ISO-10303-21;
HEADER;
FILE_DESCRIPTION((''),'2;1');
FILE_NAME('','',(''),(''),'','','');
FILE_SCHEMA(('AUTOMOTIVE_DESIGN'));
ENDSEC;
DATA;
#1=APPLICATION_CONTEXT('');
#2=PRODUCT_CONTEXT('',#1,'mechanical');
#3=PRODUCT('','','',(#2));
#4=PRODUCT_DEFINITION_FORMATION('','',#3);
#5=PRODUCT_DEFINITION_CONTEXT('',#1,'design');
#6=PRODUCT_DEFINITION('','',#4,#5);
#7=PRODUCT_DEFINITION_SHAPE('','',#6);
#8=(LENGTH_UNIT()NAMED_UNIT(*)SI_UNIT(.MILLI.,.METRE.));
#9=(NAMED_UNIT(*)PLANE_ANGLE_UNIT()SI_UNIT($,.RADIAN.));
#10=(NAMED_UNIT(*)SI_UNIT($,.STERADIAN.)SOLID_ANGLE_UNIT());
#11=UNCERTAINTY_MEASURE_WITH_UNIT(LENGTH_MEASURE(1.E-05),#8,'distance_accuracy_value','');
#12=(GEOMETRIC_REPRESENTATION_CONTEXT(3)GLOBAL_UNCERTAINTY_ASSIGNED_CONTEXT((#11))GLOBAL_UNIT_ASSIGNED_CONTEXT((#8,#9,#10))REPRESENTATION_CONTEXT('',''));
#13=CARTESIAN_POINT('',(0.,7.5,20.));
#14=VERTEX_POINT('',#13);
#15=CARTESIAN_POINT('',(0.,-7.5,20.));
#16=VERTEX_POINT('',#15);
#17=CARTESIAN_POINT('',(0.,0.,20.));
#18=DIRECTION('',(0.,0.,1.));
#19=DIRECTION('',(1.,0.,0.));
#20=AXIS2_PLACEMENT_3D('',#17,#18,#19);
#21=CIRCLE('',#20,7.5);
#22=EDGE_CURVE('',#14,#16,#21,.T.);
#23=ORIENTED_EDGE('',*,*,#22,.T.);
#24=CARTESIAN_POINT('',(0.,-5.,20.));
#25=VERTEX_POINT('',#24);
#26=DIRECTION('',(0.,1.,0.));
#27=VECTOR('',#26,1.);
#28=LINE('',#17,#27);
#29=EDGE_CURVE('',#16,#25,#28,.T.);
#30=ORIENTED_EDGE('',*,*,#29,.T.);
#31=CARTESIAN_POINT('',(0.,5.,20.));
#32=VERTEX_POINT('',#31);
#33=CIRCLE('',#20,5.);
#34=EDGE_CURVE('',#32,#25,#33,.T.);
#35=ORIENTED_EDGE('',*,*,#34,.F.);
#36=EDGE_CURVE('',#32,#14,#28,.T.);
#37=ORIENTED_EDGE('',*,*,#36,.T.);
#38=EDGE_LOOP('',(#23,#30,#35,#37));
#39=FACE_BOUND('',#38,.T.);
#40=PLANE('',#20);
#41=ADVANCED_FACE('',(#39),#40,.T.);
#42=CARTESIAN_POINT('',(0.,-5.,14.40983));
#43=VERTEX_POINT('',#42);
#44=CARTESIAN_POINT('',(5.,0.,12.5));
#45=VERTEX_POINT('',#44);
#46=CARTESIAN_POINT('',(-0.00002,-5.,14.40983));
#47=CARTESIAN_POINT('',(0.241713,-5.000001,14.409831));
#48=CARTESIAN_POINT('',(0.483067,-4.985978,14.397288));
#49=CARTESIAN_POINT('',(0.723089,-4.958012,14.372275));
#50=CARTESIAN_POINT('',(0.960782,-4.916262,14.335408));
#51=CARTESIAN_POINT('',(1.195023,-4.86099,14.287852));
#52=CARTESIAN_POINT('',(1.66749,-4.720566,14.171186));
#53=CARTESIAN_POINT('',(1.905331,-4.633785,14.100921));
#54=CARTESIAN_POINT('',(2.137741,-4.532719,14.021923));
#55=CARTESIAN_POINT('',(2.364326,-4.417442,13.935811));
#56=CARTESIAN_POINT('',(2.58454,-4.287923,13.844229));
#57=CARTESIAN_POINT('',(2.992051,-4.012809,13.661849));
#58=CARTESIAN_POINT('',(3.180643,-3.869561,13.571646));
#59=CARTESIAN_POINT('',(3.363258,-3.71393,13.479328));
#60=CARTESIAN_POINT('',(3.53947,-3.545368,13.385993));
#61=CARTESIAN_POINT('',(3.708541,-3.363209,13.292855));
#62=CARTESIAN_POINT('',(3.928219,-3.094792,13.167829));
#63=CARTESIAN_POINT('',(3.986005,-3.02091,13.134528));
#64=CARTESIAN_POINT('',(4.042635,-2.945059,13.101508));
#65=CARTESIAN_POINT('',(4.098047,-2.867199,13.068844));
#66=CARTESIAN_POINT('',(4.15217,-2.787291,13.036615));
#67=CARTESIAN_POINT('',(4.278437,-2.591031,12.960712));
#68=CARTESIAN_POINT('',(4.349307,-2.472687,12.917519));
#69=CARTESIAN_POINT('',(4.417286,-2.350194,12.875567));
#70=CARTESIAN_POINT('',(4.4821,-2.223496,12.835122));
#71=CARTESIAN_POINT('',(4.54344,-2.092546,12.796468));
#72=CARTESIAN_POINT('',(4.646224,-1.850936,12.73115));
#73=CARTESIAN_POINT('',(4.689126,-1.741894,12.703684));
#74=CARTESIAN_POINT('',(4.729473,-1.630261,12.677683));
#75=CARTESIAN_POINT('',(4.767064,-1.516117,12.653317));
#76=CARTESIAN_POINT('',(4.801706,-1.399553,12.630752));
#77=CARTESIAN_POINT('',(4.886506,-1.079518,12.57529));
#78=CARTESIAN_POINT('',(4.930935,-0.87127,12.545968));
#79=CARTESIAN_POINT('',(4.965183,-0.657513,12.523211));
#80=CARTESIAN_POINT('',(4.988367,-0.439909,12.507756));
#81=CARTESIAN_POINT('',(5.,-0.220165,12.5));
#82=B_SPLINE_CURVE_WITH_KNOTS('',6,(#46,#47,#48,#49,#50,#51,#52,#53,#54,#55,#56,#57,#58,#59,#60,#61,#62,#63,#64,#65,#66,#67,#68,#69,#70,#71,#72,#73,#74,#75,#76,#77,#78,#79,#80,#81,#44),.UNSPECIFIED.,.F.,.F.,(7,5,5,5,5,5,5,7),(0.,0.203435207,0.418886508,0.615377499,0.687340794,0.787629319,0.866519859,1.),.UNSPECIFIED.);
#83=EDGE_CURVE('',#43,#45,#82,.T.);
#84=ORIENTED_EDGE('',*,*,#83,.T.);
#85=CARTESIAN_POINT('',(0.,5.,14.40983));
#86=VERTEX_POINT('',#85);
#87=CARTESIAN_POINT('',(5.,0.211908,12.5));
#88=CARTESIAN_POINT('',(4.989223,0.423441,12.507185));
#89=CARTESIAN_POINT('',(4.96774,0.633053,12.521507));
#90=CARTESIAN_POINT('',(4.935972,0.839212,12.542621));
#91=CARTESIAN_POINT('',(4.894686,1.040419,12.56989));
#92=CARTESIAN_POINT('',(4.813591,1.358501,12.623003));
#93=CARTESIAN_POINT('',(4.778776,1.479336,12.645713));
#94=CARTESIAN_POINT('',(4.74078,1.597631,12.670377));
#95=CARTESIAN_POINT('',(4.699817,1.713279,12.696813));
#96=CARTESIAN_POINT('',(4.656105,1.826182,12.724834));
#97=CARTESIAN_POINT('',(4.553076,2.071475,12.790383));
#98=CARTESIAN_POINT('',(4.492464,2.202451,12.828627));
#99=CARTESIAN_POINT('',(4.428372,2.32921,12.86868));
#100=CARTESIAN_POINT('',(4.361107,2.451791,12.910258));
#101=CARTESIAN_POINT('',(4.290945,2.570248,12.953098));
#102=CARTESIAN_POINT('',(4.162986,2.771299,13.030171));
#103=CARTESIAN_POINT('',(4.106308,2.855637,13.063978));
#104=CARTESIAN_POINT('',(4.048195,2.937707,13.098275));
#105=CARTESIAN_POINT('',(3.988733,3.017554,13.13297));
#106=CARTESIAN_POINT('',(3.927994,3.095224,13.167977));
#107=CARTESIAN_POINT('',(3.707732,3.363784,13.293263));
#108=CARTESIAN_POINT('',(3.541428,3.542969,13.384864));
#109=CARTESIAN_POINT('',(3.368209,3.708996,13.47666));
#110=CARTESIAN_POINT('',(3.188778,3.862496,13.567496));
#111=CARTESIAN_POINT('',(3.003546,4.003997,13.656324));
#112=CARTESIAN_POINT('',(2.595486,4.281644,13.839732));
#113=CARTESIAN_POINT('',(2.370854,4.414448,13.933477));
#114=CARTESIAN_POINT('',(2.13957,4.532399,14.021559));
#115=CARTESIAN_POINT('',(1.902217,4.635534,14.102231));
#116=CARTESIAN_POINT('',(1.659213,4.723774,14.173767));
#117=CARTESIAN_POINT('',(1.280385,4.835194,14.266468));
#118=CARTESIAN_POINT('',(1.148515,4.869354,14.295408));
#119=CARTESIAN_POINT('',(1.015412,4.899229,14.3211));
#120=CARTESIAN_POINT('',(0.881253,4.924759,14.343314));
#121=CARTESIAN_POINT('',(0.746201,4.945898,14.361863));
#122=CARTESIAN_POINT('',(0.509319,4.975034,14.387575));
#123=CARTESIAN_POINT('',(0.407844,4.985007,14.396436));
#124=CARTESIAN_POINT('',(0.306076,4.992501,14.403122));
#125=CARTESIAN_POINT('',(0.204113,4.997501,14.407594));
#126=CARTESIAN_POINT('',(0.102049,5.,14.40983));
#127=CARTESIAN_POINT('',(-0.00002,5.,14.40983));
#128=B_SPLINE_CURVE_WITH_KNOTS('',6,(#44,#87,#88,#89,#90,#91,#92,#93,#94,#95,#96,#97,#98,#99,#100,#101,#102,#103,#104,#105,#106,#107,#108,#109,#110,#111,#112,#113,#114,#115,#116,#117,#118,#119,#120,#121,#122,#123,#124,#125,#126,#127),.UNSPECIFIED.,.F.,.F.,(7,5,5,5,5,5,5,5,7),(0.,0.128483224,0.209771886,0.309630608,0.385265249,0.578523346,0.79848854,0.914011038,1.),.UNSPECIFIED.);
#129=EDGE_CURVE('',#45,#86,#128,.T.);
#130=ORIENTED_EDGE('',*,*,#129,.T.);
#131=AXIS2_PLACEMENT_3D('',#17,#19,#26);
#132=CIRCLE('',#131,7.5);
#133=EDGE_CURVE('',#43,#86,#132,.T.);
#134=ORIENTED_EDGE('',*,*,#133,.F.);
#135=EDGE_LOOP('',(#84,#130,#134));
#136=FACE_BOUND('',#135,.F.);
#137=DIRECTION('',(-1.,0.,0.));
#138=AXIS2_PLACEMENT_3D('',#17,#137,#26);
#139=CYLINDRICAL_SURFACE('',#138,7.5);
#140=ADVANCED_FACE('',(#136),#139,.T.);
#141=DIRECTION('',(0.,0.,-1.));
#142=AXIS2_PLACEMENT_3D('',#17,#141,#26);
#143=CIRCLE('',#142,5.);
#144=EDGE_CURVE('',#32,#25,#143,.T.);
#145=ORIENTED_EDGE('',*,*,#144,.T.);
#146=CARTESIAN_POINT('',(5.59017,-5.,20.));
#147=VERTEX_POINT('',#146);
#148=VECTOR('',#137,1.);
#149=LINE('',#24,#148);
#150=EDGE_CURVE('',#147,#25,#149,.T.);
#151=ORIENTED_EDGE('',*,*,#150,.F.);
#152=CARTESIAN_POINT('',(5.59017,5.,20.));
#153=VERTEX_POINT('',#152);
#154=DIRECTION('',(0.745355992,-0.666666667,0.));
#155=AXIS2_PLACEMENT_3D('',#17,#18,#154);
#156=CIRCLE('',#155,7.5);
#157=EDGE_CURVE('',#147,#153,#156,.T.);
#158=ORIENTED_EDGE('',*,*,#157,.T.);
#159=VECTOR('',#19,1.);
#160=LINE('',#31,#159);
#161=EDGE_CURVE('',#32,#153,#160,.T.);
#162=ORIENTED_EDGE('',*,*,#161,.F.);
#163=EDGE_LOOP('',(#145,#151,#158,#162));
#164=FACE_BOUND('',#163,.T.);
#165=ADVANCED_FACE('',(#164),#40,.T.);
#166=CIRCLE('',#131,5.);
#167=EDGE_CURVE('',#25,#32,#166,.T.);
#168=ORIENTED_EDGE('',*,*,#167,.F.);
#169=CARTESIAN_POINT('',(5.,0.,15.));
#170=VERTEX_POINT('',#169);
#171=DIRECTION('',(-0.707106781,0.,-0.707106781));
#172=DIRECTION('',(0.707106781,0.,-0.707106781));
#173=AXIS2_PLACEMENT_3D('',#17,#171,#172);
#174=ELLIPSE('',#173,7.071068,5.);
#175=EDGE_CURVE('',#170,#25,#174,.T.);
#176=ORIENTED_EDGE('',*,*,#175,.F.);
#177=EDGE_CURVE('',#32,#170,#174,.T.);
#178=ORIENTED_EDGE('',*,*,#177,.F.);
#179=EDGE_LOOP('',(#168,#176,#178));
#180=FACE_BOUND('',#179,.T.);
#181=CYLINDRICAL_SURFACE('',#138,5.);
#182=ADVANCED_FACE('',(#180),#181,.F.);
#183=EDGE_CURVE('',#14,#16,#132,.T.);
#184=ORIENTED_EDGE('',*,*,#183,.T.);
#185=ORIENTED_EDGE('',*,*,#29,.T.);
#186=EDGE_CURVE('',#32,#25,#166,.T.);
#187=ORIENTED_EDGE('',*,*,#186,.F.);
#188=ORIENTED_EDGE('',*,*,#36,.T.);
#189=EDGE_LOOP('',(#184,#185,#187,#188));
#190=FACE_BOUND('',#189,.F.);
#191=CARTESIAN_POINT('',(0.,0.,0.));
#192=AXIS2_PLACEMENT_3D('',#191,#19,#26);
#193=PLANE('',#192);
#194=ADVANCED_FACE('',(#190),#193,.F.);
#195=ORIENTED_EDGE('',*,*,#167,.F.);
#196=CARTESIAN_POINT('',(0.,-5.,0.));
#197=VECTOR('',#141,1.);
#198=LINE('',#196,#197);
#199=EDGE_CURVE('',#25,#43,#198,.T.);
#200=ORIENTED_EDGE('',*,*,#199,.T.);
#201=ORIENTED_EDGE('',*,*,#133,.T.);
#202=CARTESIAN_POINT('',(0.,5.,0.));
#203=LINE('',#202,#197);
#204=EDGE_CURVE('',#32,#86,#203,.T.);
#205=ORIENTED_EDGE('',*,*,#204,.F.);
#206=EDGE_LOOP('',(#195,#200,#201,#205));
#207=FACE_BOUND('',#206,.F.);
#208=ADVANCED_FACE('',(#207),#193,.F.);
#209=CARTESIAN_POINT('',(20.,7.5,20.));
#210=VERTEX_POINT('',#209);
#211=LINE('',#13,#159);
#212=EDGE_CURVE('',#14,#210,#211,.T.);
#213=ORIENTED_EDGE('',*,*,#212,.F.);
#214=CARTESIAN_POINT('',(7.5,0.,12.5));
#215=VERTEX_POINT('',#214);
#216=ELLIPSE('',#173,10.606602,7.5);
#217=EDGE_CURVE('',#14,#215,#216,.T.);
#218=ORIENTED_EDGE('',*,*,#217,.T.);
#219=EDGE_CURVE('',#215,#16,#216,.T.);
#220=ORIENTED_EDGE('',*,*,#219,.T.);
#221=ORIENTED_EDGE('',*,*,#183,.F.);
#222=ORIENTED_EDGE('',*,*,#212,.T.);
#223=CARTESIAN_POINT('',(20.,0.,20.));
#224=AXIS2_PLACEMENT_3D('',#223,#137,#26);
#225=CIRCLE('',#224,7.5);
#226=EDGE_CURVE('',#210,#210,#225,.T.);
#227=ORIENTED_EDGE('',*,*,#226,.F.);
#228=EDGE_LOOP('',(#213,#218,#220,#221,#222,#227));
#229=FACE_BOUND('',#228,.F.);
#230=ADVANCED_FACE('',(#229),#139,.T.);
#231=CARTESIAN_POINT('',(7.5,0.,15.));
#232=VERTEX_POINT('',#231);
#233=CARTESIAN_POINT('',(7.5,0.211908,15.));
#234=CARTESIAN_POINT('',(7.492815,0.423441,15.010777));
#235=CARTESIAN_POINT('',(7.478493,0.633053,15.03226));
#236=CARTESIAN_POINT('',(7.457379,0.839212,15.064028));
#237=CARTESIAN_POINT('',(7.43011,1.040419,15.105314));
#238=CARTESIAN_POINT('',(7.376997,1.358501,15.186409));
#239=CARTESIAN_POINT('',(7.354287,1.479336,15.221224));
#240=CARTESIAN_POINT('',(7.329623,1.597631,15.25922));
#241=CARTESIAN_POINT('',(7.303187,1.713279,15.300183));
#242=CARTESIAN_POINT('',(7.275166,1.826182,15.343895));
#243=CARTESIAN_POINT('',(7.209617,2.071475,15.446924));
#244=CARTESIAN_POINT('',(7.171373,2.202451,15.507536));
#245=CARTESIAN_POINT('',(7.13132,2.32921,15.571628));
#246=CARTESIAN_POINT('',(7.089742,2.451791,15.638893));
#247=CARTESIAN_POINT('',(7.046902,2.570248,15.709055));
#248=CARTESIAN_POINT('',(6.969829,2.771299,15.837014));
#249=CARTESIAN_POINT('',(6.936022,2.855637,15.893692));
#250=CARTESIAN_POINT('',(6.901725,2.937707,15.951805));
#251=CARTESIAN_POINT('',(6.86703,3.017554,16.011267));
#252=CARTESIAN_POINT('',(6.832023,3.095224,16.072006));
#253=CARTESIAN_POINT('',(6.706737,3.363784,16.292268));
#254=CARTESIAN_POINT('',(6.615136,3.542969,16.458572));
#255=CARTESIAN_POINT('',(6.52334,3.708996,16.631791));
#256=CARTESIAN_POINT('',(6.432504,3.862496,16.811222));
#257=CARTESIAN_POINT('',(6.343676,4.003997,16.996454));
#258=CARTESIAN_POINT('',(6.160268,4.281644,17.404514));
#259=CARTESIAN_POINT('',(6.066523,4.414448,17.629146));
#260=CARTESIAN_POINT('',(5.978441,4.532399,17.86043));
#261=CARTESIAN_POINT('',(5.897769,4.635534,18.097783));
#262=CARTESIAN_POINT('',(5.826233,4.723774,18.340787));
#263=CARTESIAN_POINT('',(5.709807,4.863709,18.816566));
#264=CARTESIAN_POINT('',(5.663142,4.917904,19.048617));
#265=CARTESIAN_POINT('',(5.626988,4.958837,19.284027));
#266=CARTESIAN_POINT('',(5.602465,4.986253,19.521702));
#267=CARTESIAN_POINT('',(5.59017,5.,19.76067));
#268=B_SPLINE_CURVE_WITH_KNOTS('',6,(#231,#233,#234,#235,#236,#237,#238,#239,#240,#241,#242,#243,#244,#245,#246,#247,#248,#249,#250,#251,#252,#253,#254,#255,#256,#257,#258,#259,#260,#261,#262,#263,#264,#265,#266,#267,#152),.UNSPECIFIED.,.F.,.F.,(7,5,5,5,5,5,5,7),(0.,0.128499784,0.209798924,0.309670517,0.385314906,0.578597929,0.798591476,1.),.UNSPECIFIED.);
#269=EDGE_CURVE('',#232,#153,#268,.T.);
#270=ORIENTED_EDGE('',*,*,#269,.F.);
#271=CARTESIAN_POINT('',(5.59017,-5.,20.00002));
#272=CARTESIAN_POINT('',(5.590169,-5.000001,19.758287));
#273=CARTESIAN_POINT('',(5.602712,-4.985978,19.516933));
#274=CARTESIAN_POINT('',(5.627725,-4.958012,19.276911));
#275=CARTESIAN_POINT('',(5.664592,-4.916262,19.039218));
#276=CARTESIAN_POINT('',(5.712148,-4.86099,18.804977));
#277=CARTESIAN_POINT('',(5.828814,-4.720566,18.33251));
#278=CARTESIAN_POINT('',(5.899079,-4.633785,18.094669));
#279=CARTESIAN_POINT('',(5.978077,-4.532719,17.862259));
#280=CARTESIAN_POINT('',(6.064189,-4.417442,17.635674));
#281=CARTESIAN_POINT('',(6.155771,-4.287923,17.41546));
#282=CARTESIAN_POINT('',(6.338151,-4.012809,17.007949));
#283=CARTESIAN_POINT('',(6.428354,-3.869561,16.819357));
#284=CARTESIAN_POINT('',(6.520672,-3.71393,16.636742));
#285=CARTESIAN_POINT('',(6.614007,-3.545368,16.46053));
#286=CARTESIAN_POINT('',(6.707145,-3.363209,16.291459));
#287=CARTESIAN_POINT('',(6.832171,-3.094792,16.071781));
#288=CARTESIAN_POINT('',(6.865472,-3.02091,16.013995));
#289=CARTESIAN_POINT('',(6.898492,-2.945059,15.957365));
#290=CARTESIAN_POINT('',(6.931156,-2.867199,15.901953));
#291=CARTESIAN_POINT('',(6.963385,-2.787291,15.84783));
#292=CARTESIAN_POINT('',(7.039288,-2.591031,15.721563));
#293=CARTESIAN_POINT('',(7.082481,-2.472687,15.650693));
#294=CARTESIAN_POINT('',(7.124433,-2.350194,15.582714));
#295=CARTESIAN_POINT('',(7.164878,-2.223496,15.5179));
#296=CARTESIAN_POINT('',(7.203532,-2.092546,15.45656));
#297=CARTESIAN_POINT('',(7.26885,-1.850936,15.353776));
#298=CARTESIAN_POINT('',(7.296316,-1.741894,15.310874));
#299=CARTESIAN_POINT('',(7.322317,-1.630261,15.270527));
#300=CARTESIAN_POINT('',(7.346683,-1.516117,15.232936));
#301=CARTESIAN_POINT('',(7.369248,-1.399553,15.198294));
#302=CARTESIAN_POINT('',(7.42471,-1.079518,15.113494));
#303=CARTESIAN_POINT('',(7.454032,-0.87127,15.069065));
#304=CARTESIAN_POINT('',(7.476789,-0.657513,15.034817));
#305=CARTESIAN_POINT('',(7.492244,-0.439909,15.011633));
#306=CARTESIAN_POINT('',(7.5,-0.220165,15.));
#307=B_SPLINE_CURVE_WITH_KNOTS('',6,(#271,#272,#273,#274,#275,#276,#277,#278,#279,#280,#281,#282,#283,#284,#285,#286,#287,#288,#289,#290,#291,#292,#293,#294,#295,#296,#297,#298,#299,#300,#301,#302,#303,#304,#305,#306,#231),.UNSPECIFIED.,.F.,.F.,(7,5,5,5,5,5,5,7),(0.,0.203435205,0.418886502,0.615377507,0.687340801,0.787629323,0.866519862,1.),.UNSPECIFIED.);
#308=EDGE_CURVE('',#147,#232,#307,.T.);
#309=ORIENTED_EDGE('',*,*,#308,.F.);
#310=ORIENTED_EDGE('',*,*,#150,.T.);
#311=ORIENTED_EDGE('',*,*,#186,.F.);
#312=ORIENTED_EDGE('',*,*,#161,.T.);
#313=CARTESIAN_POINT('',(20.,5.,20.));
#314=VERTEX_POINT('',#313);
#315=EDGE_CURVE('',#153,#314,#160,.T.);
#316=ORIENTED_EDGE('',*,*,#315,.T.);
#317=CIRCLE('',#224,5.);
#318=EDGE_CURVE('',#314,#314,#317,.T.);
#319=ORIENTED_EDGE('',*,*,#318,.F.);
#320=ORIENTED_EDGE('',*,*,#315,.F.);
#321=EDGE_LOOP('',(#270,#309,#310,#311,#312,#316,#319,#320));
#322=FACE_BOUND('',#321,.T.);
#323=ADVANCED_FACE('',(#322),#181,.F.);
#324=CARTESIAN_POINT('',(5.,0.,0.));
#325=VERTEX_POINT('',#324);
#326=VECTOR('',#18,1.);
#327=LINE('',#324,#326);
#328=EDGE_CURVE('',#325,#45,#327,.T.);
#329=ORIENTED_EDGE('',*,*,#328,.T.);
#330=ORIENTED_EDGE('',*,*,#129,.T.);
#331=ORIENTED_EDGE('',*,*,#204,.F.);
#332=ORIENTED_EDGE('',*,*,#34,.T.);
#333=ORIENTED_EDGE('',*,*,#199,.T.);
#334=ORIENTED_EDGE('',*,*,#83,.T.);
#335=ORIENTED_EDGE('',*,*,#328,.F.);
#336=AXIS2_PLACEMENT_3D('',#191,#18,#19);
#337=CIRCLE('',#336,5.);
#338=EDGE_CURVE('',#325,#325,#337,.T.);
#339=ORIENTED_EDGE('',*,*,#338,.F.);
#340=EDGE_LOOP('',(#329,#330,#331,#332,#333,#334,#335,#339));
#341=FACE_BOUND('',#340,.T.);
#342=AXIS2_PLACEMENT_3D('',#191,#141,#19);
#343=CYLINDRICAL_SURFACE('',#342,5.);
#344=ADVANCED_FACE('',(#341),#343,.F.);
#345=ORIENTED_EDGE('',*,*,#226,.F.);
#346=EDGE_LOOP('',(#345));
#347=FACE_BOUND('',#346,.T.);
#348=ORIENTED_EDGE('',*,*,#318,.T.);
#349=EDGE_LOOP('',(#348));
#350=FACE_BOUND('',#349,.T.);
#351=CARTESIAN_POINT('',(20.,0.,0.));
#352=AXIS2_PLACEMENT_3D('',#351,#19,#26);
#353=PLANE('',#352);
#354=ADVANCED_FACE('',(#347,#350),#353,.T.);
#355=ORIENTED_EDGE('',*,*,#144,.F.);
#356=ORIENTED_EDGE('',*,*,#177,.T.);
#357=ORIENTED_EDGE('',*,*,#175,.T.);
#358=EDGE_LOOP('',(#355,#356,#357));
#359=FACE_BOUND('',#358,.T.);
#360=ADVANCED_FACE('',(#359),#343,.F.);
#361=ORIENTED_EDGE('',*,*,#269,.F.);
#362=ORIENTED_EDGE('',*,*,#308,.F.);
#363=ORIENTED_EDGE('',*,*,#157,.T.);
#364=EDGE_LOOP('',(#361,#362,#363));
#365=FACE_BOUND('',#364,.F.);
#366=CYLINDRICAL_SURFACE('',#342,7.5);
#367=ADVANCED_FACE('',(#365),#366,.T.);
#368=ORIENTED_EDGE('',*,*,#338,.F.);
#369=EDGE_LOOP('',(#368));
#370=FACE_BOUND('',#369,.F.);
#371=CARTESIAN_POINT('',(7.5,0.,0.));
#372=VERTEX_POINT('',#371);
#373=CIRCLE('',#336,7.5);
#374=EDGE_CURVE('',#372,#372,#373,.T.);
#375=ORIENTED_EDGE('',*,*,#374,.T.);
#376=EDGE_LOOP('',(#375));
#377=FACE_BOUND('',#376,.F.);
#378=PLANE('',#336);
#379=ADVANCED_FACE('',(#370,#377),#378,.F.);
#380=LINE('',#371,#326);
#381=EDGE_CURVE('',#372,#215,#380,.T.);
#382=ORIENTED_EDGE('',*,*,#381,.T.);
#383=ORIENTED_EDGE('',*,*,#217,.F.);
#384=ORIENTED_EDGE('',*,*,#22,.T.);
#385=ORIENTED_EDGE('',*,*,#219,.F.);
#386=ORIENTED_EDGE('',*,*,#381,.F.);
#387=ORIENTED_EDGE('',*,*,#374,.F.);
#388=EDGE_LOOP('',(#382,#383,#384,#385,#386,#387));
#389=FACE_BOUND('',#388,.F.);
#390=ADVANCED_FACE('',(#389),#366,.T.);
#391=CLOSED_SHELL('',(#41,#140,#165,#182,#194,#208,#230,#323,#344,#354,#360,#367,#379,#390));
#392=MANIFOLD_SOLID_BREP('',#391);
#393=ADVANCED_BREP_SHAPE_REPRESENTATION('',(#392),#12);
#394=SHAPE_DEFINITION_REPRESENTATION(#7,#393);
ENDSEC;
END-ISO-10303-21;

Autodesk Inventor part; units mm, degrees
ref_plane "YZ Plane" through (0, 0, 0) normal (1, 0, 0) x (0, 1, 0)
ref_plane "XZ Plane" through (0, 0, 0) normal (0, 1, 0) x (-1, 0, 0)
ref_plane "XY Plane" through (0, 0, 0) normal (0, 0, 1) x (1, 0, 0)
sketch "Sketch1" plane through (0, 0, 0) normal (0, 0, 1) x (1, 0, 0)
  circle A0 centre (0, 0) radius 5
  circle A1 centre (0, 0) radius 7.5
  dimension "d0" = 10
  dimension "d1" = 15
extrude "Extrusion1" add sketch "Sketch1" along normal blind 20
sketch "Sketch2" plane through (0, 0, 0) normal (1, 0, 0) x (0, 1, 0)
  line L0 (7.5, 20) -> (-7.5, 20) projected
  circle A0 centre (0, 20) radius 5
  circle A1 centre (0, 20) radius 7.5
  point P0 (0, 0)
  dimension "d4" = 10
  dimension "d5" = 15
extrude "Extrusion2" add sketch "Sketch2" along normal blind 20 contours A1 L0 A0 | L0 A0 A1
properties part number "ccccccc"
